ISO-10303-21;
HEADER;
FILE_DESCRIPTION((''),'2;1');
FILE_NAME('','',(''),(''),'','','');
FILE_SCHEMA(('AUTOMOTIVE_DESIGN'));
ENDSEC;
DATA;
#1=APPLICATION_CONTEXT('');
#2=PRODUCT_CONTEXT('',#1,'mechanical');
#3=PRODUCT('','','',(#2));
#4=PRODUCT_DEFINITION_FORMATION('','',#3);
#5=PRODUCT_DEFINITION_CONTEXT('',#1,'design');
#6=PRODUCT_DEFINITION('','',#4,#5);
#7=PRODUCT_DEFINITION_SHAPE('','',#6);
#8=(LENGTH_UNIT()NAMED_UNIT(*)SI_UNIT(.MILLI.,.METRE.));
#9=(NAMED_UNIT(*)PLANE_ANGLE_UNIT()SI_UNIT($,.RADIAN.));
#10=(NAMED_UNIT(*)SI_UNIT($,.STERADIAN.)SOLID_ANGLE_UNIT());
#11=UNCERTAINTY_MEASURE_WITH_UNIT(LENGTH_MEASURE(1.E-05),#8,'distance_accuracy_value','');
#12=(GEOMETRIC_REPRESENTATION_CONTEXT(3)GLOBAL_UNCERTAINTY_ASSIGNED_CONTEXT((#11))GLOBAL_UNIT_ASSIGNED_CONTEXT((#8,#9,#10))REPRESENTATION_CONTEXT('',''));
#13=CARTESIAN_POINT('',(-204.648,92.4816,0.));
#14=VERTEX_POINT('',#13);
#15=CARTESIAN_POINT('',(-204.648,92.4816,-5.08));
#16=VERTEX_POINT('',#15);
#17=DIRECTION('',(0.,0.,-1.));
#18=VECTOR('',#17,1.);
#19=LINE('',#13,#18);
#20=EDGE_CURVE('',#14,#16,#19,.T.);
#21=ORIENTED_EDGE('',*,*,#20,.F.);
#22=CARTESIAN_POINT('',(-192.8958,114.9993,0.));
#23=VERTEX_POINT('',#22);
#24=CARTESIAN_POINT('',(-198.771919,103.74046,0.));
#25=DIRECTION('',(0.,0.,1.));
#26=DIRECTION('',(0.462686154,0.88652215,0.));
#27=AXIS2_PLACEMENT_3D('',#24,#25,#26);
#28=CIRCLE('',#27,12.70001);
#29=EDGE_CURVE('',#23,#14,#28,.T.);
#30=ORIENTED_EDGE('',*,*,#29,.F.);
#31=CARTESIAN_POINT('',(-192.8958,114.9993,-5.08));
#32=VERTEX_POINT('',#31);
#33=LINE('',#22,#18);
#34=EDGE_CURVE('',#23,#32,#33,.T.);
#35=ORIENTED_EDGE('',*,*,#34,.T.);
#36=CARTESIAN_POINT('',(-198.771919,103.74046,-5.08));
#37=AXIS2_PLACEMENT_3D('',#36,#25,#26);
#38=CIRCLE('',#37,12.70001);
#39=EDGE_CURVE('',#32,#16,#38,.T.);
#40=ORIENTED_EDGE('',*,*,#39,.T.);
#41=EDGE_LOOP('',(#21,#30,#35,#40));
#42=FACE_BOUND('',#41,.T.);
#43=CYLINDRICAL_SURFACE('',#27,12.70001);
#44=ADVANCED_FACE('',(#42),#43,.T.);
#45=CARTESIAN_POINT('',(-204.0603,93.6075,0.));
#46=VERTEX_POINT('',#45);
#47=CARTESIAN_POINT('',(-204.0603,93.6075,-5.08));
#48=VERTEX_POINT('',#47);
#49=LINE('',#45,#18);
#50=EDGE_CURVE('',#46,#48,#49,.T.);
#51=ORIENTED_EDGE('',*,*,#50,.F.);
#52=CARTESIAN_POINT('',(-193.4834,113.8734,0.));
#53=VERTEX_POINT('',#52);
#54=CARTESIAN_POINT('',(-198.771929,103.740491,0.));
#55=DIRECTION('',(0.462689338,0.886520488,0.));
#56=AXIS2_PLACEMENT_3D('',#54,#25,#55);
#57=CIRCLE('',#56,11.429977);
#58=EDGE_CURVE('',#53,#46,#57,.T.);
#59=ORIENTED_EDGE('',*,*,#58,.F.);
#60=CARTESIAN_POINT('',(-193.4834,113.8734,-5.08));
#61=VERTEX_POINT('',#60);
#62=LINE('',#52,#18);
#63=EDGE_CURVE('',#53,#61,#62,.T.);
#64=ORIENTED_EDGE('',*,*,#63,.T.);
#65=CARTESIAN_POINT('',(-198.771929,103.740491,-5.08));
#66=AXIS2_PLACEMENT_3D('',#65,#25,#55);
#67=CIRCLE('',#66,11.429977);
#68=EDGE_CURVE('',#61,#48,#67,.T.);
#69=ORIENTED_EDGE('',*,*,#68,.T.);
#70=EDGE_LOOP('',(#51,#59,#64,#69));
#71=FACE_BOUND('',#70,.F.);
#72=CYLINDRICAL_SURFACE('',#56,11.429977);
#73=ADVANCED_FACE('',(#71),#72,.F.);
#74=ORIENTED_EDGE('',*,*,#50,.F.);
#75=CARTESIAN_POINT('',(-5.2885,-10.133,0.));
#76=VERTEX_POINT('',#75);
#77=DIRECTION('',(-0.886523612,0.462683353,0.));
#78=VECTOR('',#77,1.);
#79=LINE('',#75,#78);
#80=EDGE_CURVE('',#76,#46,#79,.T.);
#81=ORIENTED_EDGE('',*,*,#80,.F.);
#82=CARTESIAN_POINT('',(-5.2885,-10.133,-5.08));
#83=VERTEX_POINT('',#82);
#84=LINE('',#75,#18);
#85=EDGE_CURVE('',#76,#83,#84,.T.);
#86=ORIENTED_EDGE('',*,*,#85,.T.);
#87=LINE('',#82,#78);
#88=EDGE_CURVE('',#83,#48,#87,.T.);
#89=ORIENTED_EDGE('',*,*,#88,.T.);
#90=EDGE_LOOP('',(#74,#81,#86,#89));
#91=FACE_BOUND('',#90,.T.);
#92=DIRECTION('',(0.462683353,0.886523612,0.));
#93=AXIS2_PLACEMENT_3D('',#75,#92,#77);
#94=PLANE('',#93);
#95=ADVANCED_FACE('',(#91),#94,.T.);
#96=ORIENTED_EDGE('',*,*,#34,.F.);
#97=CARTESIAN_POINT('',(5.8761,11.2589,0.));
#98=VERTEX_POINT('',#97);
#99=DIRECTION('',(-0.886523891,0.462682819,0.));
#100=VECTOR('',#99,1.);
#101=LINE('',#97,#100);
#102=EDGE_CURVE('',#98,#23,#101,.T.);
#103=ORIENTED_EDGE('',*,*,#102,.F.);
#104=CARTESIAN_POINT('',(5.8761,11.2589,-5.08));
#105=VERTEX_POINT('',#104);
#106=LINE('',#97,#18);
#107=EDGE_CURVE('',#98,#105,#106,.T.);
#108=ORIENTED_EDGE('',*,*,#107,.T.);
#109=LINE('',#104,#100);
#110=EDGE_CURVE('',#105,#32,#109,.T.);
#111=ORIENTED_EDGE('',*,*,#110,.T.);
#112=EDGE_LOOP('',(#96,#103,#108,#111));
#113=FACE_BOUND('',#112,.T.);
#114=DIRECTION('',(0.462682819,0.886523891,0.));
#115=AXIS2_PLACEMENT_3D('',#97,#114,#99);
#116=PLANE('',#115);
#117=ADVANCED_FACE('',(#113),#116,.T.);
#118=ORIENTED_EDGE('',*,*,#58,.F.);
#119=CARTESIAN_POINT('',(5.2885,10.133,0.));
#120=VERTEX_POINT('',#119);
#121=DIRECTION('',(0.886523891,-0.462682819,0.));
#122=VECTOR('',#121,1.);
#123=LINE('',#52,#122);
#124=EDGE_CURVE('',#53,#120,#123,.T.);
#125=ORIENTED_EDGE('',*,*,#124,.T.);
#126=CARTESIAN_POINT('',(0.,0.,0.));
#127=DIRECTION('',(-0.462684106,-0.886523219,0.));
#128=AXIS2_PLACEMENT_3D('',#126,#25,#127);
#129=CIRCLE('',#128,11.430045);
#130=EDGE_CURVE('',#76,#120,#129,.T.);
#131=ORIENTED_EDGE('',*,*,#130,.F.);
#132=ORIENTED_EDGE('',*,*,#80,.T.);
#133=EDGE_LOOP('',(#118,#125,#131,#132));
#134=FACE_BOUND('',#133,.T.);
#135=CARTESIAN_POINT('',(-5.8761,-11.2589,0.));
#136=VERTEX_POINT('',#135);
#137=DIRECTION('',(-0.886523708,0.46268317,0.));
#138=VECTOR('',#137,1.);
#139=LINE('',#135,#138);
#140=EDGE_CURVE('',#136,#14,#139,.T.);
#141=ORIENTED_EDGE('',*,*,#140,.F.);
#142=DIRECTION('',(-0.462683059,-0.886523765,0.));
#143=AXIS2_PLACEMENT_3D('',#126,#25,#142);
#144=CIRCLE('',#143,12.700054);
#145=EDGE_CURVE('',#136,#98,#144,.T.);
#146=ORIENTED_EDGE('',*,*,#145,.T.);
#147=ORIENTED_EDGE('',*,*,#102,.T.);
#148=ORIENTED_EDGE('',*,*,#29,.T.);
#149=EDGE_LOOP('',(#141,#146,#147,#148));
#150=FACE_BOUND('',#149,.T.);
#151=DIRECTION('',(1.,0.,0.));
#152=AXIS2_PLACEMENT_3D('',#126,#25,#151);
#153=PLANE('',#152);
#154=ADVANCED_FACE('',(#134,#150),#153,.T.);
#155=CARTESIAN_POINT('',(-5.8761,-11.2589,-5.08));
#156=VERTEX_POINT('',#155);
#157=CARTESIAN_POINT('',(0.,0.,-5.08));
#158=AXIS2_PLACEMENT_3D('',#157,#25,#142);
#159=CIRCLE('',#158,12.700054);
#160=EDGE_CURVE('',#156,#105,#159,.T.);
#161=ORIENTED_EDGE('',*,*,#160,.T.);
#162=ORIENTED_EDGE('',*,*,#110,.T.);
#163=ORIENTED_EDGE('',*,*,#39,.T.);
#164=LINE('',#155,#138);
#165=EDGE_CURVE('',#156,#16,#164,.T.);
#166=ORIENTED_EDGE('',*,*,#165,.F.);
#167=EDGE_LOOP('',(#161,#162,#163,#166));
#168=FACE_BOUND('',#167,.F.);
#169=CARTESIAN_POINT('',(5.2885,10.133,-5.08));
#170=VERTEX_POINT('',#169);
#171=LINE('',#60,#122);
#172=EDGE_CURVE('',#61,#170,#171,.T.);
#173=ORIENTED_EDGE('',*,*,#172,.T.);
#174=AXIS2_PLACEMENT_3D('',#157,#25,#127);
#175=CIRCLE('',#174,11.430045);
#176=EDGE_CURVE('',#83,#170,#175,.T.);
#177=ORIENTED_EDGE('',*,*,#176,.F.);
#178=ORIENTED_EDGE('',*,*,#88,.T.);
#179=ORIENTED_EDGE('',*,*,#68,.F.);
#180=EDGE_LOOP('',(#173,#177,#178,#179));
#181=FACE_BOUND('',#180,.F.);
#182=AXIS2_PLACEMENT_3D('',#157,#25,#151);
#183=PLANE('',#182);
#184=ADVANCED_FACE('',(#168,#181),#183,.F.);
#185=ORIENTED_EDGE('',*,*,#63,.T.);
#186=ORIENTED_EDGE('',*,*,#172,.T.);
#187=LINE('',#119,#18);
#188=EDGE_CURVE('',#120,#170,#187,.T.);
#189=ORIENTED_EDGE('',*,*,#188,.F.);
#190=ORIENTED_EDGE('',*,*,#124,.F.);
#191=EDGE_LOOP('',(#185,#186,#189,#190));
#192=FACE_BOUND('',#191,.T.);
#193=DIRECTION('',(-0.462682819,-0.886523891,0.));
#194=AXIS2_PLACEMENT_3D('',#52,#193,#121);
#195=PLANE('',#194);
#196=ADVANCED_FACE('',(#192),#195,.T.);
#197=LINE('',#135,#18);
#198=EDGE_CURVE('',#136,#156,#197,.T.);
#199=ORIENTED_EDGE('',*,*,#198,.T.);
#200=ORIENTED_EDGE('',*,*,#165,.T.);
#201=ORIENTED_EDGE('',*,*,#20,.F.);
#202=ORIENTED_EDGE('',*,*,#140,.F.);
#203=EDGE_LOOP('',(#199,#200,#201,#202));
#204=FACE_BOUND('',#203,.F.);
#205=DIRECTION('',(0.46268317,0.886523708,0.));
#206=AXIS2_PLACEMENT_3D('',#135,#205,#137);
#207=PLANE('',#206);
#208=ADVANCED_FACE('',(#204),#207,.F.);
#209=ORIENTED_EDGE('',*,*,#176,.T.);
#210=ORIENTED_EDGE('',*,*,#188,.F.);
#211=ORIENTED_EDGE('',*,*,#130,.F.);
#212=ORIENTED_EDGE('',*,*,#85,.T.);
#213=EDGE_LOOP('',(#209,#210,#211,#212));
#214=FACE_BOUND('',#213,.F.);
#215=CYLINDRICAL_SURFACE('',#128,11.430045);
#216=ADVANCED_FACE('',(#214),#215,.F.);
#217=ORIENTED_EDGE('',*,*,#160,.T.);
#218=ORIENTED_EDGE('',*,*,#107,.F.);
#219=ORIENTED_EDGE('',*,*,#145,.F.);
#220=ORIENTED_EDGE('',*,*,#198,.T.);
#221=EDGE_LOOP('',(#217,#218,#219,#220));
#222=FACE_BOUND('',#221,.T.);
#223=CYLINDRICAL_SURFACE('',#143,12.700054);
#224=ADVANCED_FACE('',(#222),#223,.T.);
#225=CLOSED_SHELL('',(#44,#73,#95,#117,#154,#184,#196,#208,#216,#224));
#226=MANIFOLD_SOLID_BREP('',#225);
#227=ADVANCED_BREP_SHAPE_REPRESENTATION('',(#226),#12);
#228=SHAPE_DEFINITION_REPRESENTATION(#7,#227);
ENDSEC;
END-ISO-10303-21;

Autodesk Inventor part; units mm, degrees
ref_plane "YZ Plane" through (0, 0, 0) normal (1, 0, 0) x (0, 1, 0)
ref_plane "XZ Plane" through (0, 0, 0) normal (0, 1, 0) x (-1, 0, 0)
ref_plane "XY Plane" through (0, 0, 0) normal (0, 0, 1) x (1, 0, 0)
sketch "Sketch1" plane through (0, 0, 0) normal (0, 0, 1) x (1, 0, 0)
  circle A0 centre (-198.7719, 103.7404) radius 14.0335 construction
  arc A1 (-5.2885, -10.133) -> (5.2885, 10.133) centre (0, 0) ccw
  arc A2 (-5.8761, -11.2589) -> (5.8761, 11.2589) centre (0, 0) ccw
  arc A3 (-193.4834, 113.8734) -> (-204.0603, 93.6075) centre (-198.7719, 103.7404) ccw
  arc A4 (-192.8958, 114.9993) -> (-204.648, 92.4816) centre (-198.7719, 103.7404) ccw
  line L0 (-5.8761, -11.2589) -> (-204.648, 92.4816)
  line L1 (5.8761, 11.2589) -> (-192.8958, 114.9993)
  line L2 (-193.4834, 113.8734) -> (5.2885, 10.133)
  line L3 (-5.2885, -10.133) -> (-204.0603, 93.6075)
  dimension "d0" = 22.86
  dimension "d1" = 25.4
  dimension "d2" = 22.86
  dimension "d3" = 25.4
extrude "Extrusion1" add sketch "Sketch1" against normal blind 5.08
properties part number "Lift up banding"
